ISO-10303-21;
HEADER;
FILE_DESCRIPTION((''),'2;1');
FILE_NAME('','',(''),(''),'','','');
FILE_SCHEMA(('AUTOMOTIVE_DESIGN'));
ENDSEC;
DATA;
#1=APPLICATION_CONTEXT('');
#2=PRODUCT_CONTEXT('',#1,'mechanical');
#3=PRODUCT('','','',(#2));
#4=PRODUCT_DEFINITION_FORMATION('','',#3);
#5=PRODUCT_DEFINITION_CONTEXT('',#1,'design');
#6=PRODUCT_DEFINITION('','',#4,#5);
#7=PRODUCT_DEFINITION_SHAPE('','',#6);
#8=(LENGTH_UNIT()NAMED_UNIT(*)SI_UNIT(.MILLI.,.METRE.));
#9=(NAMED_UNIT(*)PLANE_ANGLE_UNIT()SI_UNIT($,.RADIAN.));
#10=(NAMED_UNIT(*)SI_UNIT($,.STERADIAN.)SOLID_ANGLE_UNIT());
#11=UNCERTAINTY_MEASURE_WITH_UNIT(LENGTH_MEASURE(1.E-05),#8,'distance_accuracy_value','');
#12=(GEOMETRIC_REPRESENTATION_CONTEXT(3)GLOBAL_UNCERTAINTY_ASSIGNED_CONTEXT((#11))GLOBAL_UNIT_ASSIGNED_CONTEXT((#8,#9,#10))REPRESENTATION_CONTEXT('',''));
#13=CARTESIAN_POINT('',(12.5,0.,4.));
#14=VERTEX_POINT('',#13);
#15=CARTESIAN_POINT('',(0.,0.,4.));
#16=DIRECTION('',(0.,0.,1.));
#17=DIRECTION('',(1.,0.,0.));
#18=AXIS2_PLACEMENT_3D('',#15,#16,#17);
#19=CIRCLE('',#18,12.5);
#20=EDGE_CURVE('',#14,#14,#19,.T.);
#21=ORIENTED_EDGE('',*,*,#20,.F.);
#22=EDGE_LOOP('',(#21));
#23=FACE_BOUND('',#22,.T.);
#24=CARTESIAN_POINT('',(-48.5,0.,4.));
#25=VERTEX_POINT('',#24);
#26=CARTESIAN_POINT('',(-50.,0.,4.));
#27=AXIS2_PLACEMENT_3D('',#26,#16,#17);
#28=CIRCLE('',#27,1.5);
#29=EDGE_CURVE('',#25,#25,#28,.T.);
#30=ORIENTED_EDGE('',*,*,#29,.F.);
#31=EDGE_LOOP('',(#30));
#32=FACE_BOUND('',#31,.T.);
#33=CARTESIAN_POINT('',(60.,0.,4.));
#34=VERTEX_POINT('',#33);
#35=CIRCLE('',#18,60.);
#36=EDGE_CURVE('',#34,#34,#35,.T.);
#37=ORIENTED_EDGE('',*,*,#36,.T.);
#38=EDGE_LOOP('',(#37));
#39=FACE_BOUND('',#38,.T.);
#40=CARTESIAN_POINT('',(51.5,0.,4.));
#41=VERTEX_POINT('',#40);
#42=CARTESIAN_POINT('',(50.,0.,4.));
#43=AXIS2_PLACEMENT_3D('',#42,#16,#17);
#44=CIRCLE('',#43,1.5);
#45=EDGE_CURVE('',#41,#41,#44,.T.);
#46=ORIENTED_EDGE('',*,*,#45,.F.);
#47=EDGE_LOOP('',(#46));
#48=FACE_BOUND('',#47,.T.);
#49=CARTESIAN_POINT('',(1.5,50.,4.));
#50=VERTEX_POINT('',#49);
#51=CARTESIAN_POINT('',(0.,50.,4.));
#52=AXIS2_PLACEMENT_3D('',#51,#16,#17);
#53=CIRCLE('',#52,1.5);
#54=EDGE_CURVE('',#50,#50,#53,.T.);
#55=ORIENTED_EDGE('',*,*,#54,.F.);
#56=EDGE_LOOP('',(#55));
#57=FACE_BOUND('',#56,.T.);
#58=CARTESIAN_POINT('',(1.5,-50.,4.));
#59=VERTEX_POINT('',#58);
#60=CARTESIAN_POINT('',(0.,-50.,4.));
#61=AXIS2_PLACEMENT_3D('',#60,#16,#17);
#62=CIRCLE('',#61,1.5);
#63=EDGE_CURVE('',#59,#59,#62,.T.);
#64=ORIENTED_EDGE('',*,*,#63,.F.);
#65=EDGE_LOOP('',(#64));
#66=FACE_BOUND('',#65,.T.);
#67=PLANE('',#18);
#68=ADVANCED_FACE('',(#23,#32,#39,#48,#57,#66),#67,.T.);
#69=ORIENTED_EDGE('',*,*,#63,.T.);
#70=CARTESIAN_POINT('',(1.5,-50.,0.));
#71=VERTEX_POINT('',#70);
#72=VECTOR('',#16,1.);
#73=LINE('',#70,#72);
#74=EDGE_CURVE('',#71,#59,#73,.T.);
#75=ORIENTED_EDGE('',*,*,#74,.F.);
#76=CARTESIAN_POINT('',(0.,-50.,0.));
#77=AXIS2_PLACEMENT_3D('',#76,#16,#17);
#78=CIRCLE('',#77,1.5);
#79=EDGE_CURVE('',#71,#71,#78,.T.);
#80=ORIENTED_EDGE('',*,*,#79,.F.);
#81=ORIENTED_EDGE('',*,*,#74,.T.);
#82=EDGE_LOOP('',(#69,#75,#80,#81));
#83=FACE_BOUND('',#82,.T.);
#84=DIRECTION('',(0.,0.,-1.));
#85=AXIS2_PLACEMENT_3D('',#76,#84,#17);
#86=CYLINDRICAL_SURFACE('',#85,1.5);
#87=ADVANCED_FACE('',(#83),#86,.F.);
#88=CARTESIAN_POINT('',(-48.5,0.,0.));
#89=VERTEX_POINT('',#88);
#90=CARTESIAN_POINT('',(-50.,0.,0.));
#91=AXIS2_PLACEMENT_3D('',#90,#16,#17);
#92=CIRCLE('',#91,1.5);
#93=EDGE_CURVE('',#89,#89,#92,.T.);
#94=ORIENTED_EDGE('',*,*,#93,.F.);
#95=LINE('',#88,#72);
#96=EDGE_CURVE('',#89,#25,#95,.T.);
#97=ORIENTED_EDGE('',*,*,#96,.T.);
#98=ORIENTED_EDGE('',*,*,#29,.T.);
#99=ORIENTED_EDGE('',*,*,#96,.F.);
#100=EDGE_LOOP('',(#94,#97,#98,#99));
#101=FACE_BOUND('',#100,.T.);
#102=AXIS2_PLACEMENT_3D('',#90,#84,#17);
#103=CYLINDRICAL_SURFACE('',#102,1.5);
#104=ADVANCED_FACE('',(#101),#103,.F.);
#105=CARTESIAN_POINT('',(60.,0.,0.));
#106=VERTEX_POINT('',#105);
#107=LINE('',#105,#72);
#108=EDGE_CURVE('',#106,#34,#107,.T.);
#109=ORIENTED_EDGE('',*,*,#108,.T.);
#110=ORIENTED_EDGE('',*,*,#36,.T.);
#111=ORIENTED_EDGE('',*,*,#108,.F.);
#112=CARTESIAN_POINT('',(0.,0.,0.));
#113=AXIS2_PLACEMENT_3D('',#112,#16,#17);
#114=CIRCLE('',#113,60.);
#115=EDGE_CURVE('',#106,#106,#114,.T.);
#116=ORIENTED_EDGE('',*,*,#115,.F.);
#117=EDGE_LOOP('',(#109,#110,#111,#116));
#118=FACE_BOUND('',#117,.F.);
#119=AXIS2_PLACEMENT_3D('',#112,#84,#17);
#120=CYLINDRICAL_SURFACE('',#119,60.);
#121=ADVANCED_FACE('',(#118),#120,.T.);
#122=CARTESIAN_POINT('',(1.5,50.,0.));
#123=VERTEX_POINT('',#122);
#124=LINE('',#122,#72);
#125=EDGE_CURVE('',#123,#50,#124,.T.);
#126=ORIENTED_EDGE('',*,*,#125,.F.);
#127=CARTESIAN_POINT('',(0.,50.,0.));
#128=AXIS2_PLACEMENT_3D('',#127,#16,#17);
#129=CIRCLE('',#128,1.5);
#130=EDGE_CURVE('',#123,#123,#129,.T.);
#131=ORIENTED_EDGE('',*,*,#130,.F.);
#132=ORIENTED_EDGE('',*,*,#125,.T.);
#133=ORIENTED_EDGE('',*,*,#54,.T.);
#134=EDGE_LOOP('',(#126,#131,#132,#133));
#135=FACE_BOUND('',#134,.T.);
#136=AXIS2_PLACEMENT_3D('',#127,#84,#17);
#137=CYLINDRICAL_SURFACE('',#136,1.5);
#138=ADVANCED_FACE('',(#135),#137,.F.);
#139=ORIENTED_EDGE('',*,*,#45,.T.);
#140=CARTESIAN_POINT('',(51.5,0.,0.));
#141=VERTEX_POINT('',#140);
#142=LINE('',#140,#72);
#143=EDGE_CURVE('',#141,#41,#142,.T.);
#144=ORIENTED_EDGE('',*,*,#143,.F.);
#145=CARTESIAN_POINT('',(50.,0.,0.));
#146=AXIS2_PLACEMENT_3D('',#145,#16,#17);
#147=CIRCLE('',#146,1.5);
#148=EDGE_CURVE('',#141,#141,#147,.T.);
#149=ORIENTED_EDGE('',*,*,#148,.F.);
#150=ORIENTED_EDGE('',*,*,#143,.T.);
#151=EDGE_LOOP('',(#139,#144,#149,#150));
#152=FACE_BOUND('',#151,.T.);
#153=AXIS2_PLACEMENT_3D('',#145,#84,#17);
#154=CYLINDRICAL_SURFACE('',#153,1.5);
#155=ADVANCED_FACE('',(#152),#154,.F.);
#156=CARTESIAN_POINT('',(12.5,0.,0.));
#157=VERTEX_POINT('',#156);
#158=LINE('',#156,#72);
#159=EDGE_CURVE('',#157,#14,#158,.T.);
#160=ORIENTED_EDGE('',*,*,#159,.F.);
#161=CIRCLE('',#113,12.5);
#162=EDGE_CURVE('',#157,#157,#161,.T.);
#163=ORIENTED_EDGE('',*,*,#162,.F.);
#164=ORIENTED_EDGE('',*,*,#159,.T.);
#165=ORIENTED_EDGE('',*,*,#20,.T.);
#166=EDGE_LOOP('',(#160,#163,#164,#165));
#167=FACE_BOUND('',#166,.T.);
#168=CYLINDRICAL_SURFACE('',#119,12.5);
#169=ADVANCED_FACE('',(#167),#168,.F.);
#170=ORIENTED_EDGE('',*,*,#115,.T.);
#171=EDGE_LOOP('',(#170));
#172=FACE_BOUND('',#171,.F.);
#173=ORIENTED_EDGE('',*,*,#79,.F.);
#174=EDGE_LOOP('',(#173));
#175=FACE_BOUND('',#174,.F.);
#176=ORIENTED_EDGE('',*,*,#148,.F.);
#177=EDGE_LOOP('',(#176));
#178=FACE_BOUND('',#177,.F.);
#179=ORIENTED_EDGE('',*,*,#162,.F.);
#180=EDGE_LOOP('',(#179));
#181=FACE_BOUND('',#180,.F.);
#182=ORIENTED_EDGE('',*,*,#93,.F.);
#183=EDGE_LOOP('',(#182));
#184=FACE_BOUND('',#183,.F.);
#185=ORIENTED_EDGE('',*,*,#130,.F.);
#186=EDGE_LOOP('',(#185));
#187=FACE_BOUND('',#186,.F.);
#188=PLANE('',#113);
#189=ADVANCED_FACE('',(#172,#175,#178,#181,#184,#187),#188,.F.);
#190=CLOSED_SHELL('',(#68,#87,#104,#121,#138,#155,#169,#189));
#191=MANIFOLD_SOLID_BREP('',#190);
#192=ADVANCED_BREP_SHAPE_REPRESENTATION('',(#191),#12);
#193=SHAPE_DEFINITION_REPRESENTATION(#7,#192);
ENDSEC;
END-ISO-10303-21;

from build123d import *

# Parameters (mm, degrees)
SKETCH_R   = 60
SKETCH_R_2 = 12.5
SKETCH_R_3 = 1.5
PAD_DEPTH  = 4


with BuildPart() as part:
    # Sketch → Pad (new body)
    with BuildSketch(Plane.XY):
        Circle(SKETCH_R)
        Circle(SKETCH_R_2, mode=Mode.SUBTRACT)
        with Locations((0, 50)):
            Circle(SKETCH_R_3, mode=Mode.SUBTRACT)
        with Locations((0, -50)):
            Circle(SKETCH_R_3, mode=Mode.SUBTRACT)
        with Locations((50, 0)):
            Circle(SKETCH_R_3, mode=Mode.SUBTRACT)
        with Locations((-50, 0)):
            Circle(SKETCH_R_3, mode=Mode.SUBTRACT)
    extrude(amount=PAD_DEPTH)


solid = part.part
